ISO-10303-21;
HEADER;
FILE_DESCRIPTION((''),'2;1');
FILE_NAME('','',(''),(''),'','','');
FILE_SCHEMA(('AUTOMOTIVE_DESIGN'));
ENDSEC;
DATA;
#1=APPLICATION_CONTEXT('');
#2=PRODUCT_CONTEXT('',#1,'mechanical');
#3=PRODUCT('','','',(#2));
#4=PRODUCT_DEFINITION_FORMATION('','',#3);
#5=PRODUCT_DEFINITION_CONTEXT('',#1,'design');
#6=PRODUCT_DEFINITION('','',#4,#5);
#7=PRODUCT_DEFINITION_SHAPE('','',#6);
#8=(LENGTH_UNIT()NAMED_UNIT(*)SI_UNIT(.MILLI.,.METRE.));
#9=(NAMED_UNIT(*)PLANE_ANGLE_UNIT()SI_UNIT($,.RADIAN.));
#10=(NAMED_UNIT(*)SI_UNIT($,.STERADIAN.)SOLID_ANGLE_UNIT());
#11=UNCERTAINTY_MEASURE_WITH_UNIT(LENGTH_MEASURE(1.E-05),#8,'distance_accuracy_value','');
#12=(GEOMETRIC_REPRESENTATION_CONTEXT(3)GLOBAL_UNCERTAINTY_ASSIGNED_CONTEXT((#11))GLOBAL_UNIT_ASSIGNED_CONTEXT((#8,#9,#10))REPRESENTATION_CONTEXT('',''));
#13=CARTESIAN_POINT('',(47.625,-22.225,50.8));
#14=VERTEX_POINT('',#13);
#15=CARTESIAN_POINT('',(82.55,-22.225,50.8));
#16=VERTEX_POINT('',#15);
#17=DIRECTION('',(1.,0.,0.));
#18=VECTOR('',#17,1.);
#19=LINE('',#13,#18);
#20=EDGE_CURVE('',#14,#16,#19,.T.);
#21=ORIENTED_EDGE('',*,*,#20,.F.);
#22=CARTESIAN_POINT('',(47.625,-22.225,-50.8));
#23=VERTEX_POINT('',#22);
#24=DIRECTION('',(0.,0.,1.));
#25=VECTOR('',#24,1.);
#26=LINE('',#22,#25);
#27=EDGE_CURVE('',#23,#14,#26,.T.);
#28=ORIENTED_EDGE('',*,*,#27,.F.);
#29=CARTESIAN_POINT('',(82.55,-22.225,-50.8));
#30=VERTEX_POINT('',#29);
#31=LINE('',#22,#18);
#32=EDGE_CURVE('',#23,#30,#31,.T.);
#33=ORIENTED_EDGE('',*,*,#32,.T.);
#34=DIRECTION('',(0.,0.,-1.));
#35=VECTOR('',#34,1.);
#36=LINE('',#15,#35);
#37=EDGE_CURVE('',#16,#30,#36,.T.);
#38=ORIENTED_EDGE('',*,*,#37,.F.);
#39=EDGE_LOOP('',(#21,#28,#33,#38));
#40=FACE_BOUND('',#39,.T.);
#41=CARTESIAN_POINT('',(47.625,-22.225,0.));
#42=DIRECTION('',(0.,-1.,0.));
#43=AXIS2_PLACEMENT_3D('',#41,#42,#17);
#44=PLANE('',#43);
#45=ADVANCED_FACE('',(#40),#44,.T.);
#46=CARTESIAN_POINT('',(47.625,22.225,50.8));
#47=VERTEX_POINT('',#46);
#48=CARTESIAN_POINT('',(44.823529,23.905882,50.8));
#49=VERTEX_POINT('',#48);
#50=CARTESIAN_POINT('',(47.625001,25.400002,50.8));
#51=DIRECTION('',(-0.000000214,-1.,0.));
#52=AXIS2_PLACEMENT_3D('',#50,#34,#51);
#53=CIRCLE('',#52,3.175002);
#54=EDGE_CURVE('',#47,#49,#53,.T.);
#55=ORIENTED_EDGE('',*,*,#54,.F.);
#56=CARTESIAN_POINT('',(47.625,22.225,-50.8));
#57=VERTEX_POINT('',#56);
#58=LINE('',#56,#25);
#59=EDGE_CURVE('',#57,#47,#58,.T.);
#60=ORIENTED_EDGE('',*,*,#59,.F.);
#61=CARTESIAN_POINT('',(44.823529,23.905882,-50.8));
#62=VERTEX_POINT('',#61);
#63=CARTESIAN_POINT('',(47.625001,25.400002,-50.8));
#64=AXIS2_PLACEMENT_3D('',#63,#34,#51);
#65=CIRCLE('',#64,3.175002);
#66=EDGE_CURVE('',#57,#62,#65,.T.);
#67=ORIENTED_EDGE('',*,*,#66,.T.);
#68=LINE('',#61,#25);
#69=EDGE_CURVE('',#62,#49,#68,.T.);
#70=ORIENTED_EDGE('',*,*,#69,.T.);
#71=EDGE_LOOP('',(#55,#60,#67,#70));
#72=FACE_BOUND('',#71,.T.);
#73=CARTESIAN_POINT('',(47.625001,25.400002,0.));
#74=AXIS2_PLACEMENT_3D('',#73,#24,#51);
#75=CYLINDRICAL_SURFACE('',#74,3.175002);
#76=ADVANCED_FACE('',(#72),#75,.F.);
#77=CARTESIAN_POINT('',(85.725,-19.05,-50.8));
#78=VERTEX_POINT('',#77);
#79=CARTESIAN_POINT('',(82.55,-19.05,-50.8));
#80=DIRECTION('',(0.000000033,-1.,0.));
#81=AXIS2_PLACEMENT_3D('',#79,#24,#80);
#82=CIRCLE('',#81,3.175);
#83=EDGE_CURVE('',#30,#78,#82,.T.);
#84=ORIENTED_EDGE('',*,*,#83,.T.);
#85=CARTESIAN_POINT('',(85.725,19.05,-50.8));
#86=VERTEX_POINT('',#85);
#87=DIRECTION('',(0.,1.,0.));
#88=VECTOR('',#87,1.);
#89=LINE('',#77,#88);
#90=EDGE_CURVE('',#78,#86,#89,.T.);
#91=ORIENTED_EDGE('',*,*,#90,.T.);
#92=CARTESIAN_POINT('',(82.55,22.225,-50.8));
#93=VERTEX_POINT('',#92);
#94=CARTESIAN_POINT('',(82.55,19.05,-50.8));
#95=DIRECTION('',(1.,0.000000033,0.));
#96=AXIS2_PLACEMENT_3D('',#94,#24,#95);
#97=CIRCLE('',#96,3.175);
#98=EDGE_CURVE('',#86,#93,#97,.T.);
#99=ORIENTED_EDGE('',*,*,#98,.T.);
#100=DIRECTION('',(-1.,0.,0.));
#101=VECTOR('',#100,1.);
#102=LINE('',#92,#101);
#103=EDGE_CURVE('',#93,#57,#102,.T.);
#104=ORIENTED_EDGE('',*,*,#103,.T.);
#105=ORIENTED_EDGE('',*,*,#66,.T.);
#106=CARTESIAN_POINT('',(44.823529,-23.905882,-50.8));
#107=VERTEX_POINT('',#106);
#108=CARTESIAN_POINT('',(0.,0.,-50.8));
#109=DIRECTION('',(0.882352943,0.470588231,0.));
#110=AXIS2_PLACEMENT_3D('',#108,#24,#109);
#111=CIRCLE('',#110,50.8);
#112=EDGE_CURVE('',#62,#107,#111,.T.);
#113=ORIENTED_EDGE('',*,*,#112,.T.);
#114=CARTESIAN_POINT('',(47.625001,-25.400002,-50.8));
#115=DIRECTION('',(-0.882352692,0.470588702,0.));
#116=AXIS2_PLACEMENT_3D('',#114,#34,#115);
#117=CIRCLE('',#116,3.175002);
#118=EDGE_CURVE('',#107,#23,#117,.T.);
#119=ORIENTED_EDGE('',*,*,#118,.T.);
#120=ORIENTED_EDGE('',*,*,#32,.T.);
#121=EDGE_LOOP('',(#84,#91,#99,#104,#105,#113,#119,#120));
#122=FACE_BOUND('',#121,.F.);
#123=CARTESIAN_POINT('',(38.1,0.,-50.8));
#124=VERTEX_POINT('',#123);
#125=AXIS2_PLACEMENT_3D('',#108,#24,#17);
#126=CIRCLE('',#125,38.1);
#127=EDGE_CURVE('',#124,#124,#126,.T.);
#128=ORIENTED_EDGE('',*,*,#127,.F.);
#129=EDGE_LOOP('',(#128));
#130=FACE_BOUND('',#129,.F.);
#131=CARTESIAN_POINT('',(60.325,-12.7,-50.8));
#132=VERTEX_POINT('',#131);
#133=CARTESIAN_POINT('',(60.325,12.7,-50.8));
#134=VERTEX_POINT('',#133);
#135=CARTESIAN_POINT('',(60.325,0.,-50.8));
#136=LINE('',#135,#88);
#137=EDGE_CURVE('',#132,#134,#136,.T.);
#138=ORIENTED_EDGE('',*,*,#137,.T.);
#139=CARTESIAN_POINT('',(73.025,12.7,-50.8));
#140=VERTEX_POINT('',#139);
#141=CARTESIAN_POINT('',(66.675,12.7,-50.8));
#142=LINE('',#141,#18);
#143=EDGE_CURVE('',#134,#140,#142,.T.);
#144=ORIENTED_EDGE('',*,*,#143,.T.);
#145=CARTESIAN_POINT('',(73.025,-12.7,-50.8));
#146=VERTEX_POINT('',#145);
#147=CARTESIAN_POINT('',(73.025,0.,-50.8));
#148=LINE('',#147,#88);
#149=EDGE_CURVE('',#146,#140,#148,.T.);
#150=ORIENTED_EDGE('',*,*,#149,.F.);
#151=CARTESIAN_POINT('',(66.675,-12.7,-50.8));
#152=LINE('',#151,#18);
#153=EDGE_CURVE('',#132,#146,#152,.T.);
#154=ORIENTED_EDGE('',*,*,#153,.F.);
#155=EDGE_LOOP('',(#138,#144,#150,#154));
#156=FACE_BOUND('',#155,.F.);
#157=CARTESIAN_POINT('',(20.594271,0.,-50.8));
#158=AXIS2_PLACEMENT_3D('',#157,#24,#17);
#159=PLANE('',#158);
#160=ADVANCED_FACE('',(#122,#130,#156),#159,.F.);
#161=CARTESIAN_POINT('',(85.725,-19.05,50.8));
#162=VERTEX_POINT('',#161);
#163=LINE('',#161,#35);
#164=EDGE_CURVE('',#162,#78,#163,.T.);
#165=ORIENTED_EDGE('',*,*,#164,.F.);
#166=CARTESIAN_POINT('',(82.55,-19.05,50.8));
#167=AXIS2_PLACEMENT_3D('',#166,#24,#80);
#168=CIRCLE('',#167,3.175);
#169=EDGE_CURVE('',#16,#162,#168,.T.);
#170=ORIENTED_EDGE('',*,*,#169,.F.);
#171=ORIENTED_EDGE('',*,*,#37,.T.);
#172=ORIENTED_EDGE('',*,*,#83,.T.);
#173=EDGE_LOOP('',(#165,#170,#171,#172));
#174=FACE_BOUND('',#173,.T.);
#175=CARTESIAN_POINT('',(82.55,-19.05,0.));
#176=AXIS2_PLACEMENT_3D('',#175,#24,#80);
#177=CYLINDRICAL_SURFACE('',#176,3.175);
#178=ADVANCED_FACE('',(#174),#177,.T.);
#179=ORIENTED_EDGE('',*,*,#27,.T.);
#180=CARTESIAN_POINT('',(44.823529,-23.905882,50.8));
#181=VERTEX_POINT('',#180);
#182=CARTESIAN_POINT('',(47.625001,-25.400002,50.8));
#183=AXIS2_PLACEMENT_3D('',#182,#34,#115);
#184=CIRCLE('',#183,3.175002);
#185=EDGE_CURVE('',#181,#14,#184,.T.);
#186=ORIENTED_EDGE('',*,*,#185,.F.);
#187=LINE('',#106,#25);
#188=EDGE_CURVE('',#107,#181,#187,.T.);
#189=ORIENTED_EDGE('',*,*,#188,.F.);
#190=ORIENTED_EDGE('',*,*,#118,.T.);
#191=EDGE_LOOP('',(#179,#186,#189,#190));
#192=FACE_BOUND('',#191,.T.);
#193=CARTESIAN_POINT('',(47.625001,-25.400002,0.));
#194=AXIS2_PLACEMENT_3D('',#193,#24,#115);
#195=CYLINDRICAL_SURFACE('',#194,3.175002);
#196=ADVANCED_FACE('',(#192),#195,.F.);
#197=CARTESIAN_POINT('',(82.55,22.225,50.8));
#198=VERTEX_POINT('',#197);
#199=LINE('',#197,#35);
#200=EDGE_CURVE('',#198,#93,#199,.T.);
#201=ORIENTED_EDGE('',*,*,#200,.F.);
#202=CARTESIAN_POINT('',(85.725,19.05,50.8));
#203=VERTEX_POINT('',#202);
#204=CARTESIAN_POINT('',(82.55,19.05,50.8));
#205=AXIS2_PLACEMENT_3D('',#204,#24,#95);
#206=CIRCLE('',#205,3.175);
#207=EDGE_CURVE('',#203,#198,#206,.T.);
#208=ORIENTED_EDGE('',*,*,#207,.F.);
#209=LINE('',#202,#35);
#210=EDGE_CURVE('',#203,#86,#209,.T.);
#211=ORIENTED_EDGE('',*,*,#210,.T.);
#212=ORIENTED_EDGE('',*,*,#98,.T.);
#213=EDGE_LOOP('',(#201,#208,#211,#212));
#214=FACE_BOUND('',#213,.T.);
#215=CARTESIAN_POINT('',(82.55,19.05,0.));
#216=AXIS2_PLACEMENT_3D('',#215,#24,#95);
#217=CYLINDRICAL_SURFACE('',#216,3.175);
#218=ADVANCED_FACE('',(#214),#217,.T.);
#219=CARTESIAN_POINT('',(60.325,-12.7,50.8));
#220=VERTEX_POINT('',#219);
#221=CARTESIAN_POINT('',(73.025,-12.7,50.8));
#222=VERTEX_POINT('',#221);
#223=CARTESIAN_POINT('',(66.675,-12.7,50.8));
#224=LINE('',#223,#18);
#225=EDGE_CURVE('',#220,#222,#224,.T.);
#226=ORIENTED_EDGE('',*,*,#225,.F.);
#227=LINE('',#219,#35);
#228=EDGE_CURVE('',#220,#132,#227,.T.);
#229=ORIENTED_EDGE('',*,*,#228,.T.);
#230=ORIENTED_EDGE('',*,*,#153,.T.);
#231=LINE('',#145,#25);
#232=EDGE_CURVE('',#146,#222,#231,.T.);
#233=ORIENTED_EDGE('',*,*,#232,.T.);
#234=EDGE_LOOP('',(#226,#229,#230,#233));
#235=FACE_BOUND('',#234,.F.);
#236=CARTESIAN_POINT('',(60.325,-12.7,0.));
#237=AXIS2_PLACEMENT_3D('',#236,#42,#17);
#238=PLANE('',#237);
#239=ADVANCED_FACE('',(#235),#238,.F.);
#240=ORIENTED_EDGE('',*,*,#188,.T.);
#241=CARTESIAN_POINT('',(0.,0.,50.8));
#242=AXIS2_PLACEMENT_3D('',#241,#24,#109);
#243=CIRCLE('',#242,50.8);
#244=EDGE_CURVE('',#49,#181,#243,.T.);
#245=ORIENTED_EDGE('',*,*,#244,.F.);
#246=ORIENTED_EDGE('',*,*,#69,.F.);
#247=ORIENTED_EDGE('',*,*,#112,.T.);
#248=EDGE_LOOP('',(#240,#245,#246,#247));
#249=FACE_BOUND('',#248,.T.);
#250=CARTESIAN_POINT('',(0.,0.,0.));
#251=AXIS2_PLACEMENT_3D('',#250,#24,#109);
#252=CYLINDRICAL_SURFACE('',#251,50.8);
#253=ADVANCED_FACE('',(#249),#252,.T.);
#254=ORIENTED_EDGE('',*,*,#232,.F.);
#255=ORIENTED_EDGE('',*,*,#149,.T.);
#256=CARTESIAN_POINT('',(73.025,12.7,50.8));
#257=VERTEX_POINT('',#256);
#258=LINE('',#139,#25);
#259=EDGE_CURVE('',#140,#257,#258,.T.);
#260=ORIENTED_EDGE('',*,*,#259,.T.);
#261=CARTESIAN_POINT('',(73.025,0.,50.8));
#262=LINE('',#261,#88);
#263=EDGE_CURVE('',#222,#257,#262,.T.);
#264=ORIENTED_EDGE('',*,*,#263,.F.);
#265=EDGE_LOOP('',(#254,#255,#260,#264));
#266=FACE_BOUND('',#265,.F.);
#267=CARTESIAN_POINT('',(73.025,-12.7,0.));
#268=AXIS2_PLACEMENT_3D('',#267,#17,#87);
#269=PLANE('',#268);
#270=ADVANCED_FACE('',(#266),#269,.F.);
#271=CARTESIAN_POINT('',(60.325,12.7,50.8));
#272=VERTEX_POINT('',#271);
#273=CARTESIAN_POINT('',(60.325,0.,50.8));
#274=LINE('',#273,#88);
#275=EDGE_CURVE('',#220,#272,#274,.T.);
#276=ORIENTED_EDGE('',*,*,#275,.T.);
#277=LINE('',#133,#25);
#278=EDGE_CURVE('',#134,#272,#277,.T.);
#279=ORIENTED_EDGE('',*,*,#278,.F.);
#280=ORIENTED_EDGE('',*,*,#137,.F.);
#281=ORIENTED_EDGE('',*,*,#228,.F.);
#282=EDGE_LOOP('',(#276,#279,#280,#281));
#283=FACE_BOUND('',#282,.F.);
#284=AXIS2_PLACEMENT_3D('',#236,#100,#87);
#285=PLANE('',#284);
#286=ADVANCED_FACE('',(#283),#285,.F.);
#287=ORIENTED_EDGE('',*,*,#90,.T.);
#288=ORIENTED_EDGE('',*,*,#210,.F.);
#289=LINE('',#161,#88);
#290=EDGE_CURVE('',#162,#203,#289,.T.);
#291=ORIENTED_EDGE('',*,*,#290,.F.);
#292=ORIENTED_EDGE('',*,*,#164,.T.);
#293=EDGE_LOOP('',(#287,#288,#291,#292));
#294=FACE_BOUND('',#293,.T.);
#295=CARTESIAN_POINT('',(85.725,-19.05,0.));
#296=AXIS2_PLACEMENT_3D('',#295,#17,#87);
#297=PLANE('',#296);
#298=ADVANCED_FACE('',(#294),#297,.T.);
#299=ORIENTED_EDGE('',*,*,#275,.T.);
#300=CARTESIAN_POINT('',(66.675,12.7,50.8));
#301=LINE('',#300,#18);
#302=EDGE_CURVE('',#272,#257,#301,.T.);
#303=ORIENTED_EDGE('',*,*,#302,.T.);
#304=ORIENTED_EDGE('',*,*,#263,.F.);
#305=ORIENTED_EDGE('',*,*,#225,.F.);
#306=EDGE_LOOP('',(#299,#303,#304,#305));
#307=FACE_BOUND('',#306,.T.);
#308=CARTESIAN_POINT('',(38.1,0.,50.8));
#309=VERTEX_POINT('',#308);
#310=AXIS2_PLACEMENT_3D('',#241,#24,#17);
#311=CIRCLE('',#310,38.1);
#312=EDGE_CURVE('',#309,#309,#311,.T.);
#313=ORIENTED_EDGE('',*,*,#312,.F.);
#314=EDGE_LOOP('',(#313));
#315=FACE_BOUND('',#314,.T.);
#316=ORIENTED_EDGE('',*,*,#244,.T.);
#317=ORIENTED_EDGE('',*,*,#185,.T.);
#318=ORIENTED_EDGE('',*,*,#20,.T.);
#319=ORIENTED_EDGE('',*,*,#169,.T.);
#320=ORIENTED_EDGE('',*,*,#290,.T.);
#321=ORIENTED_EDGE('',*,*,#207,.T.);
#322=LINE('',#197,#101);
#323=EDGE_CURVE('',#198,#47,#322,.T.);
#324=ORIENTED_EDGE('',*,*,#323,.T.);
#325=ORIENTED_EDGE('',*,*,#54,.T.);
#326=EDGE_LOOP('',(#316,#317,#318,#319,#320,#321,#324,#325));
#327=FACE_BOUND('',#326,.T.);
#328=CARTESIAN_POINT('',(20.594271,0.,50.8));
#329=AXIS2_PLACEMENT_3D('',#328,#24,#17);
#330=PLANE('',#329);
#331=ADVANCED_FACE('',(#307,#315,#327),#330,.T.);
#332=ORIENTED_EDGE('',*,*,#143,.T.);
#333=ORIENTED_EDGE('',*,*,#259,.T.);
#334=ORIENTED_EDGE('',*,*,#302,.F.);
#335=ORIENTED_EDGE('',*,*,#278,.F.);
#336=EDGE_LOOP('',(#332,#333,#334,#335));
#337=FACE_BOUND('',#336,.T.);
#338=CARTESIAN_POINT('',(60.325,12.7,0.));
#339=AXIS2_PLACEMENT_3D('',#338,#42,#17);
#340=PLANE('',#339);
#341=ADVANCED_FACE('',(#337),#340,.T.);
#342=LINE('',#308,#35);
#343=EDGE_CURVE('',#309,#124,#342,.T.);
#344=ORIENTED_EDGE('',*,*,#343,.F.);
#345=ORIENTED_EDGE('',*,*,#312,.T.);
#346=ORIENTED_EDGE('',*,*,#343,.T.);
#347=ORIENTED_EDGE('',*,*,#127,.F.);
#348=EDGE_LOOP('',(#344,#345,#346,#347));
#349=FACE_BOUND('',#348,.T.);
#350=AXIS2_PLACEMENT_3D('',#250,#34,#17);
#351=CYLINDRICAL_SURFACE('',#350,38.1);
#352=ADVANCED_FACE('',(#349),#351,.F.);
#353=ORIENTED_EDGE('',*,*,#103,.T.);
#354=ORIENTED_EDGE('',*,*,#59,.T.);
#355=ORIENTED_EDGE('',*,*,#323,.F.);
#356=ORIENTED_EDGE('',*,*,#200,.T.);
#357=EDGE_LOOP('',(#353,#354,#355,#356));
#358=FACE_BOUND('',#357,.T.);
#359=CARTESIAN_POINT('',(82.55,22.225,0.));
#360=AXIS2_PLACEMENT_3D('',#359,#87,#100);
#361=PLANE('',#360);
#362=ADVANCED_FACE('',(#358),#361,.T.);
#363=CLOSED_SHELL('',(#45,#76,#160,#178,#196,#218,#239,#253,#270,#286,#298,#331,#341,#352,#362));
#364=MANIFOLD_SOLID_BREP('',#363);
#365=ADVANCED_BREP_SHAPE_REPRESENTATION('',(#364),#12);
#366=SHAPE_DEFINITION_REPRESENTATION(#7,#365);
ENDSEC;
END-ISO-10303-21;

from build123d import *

# Parameters (mm, degrees)
F0_R     = 38.1
F0_W     = 12.7
F0_H     = 25.4
F1_DEPTH = 50.8


with BuildPart() as f1:
    # F0 (on Top) → F1 (new body, symmetric)
    with BuildSketch(Plane.XY):
        with BuildLine():
            Line((82.55, 22.225), (47.625, 22.225))
            ThreePointArc((47.625, 22.225), (45.991476, 22.67746), (44.823529, 23.905882))
            ThreePointArc((44.823529, 23.905882), (-50.8, 0), (44.823529, -23.905882))
            ThreePointArc((44.823529, -23.905882), (45.991476, -22.67746), (47.625, -22.225))
            Line((47.625, -22.225), (82.55, -22.225))
            ThreePointArc((82.55, -22.225), (84.795064, -21.295064), (85.725, -19.05))
            Line((85.725, -19.05), (85.725, 19.05))
            ThreePointArc((85.725, 19.05), (84.795064, 21.295064), (82.55, 22.225))
        make_face()
        Circle(F0_R, mode=Mode.SUBTRACT)
        with Locations((66.675, 0)):
            Rectangle(F0_W, F0_H, mode=Mode.SUBTRACT)
    extrude(amount=F1_DEPTH, both=True)


solid = f1.part
